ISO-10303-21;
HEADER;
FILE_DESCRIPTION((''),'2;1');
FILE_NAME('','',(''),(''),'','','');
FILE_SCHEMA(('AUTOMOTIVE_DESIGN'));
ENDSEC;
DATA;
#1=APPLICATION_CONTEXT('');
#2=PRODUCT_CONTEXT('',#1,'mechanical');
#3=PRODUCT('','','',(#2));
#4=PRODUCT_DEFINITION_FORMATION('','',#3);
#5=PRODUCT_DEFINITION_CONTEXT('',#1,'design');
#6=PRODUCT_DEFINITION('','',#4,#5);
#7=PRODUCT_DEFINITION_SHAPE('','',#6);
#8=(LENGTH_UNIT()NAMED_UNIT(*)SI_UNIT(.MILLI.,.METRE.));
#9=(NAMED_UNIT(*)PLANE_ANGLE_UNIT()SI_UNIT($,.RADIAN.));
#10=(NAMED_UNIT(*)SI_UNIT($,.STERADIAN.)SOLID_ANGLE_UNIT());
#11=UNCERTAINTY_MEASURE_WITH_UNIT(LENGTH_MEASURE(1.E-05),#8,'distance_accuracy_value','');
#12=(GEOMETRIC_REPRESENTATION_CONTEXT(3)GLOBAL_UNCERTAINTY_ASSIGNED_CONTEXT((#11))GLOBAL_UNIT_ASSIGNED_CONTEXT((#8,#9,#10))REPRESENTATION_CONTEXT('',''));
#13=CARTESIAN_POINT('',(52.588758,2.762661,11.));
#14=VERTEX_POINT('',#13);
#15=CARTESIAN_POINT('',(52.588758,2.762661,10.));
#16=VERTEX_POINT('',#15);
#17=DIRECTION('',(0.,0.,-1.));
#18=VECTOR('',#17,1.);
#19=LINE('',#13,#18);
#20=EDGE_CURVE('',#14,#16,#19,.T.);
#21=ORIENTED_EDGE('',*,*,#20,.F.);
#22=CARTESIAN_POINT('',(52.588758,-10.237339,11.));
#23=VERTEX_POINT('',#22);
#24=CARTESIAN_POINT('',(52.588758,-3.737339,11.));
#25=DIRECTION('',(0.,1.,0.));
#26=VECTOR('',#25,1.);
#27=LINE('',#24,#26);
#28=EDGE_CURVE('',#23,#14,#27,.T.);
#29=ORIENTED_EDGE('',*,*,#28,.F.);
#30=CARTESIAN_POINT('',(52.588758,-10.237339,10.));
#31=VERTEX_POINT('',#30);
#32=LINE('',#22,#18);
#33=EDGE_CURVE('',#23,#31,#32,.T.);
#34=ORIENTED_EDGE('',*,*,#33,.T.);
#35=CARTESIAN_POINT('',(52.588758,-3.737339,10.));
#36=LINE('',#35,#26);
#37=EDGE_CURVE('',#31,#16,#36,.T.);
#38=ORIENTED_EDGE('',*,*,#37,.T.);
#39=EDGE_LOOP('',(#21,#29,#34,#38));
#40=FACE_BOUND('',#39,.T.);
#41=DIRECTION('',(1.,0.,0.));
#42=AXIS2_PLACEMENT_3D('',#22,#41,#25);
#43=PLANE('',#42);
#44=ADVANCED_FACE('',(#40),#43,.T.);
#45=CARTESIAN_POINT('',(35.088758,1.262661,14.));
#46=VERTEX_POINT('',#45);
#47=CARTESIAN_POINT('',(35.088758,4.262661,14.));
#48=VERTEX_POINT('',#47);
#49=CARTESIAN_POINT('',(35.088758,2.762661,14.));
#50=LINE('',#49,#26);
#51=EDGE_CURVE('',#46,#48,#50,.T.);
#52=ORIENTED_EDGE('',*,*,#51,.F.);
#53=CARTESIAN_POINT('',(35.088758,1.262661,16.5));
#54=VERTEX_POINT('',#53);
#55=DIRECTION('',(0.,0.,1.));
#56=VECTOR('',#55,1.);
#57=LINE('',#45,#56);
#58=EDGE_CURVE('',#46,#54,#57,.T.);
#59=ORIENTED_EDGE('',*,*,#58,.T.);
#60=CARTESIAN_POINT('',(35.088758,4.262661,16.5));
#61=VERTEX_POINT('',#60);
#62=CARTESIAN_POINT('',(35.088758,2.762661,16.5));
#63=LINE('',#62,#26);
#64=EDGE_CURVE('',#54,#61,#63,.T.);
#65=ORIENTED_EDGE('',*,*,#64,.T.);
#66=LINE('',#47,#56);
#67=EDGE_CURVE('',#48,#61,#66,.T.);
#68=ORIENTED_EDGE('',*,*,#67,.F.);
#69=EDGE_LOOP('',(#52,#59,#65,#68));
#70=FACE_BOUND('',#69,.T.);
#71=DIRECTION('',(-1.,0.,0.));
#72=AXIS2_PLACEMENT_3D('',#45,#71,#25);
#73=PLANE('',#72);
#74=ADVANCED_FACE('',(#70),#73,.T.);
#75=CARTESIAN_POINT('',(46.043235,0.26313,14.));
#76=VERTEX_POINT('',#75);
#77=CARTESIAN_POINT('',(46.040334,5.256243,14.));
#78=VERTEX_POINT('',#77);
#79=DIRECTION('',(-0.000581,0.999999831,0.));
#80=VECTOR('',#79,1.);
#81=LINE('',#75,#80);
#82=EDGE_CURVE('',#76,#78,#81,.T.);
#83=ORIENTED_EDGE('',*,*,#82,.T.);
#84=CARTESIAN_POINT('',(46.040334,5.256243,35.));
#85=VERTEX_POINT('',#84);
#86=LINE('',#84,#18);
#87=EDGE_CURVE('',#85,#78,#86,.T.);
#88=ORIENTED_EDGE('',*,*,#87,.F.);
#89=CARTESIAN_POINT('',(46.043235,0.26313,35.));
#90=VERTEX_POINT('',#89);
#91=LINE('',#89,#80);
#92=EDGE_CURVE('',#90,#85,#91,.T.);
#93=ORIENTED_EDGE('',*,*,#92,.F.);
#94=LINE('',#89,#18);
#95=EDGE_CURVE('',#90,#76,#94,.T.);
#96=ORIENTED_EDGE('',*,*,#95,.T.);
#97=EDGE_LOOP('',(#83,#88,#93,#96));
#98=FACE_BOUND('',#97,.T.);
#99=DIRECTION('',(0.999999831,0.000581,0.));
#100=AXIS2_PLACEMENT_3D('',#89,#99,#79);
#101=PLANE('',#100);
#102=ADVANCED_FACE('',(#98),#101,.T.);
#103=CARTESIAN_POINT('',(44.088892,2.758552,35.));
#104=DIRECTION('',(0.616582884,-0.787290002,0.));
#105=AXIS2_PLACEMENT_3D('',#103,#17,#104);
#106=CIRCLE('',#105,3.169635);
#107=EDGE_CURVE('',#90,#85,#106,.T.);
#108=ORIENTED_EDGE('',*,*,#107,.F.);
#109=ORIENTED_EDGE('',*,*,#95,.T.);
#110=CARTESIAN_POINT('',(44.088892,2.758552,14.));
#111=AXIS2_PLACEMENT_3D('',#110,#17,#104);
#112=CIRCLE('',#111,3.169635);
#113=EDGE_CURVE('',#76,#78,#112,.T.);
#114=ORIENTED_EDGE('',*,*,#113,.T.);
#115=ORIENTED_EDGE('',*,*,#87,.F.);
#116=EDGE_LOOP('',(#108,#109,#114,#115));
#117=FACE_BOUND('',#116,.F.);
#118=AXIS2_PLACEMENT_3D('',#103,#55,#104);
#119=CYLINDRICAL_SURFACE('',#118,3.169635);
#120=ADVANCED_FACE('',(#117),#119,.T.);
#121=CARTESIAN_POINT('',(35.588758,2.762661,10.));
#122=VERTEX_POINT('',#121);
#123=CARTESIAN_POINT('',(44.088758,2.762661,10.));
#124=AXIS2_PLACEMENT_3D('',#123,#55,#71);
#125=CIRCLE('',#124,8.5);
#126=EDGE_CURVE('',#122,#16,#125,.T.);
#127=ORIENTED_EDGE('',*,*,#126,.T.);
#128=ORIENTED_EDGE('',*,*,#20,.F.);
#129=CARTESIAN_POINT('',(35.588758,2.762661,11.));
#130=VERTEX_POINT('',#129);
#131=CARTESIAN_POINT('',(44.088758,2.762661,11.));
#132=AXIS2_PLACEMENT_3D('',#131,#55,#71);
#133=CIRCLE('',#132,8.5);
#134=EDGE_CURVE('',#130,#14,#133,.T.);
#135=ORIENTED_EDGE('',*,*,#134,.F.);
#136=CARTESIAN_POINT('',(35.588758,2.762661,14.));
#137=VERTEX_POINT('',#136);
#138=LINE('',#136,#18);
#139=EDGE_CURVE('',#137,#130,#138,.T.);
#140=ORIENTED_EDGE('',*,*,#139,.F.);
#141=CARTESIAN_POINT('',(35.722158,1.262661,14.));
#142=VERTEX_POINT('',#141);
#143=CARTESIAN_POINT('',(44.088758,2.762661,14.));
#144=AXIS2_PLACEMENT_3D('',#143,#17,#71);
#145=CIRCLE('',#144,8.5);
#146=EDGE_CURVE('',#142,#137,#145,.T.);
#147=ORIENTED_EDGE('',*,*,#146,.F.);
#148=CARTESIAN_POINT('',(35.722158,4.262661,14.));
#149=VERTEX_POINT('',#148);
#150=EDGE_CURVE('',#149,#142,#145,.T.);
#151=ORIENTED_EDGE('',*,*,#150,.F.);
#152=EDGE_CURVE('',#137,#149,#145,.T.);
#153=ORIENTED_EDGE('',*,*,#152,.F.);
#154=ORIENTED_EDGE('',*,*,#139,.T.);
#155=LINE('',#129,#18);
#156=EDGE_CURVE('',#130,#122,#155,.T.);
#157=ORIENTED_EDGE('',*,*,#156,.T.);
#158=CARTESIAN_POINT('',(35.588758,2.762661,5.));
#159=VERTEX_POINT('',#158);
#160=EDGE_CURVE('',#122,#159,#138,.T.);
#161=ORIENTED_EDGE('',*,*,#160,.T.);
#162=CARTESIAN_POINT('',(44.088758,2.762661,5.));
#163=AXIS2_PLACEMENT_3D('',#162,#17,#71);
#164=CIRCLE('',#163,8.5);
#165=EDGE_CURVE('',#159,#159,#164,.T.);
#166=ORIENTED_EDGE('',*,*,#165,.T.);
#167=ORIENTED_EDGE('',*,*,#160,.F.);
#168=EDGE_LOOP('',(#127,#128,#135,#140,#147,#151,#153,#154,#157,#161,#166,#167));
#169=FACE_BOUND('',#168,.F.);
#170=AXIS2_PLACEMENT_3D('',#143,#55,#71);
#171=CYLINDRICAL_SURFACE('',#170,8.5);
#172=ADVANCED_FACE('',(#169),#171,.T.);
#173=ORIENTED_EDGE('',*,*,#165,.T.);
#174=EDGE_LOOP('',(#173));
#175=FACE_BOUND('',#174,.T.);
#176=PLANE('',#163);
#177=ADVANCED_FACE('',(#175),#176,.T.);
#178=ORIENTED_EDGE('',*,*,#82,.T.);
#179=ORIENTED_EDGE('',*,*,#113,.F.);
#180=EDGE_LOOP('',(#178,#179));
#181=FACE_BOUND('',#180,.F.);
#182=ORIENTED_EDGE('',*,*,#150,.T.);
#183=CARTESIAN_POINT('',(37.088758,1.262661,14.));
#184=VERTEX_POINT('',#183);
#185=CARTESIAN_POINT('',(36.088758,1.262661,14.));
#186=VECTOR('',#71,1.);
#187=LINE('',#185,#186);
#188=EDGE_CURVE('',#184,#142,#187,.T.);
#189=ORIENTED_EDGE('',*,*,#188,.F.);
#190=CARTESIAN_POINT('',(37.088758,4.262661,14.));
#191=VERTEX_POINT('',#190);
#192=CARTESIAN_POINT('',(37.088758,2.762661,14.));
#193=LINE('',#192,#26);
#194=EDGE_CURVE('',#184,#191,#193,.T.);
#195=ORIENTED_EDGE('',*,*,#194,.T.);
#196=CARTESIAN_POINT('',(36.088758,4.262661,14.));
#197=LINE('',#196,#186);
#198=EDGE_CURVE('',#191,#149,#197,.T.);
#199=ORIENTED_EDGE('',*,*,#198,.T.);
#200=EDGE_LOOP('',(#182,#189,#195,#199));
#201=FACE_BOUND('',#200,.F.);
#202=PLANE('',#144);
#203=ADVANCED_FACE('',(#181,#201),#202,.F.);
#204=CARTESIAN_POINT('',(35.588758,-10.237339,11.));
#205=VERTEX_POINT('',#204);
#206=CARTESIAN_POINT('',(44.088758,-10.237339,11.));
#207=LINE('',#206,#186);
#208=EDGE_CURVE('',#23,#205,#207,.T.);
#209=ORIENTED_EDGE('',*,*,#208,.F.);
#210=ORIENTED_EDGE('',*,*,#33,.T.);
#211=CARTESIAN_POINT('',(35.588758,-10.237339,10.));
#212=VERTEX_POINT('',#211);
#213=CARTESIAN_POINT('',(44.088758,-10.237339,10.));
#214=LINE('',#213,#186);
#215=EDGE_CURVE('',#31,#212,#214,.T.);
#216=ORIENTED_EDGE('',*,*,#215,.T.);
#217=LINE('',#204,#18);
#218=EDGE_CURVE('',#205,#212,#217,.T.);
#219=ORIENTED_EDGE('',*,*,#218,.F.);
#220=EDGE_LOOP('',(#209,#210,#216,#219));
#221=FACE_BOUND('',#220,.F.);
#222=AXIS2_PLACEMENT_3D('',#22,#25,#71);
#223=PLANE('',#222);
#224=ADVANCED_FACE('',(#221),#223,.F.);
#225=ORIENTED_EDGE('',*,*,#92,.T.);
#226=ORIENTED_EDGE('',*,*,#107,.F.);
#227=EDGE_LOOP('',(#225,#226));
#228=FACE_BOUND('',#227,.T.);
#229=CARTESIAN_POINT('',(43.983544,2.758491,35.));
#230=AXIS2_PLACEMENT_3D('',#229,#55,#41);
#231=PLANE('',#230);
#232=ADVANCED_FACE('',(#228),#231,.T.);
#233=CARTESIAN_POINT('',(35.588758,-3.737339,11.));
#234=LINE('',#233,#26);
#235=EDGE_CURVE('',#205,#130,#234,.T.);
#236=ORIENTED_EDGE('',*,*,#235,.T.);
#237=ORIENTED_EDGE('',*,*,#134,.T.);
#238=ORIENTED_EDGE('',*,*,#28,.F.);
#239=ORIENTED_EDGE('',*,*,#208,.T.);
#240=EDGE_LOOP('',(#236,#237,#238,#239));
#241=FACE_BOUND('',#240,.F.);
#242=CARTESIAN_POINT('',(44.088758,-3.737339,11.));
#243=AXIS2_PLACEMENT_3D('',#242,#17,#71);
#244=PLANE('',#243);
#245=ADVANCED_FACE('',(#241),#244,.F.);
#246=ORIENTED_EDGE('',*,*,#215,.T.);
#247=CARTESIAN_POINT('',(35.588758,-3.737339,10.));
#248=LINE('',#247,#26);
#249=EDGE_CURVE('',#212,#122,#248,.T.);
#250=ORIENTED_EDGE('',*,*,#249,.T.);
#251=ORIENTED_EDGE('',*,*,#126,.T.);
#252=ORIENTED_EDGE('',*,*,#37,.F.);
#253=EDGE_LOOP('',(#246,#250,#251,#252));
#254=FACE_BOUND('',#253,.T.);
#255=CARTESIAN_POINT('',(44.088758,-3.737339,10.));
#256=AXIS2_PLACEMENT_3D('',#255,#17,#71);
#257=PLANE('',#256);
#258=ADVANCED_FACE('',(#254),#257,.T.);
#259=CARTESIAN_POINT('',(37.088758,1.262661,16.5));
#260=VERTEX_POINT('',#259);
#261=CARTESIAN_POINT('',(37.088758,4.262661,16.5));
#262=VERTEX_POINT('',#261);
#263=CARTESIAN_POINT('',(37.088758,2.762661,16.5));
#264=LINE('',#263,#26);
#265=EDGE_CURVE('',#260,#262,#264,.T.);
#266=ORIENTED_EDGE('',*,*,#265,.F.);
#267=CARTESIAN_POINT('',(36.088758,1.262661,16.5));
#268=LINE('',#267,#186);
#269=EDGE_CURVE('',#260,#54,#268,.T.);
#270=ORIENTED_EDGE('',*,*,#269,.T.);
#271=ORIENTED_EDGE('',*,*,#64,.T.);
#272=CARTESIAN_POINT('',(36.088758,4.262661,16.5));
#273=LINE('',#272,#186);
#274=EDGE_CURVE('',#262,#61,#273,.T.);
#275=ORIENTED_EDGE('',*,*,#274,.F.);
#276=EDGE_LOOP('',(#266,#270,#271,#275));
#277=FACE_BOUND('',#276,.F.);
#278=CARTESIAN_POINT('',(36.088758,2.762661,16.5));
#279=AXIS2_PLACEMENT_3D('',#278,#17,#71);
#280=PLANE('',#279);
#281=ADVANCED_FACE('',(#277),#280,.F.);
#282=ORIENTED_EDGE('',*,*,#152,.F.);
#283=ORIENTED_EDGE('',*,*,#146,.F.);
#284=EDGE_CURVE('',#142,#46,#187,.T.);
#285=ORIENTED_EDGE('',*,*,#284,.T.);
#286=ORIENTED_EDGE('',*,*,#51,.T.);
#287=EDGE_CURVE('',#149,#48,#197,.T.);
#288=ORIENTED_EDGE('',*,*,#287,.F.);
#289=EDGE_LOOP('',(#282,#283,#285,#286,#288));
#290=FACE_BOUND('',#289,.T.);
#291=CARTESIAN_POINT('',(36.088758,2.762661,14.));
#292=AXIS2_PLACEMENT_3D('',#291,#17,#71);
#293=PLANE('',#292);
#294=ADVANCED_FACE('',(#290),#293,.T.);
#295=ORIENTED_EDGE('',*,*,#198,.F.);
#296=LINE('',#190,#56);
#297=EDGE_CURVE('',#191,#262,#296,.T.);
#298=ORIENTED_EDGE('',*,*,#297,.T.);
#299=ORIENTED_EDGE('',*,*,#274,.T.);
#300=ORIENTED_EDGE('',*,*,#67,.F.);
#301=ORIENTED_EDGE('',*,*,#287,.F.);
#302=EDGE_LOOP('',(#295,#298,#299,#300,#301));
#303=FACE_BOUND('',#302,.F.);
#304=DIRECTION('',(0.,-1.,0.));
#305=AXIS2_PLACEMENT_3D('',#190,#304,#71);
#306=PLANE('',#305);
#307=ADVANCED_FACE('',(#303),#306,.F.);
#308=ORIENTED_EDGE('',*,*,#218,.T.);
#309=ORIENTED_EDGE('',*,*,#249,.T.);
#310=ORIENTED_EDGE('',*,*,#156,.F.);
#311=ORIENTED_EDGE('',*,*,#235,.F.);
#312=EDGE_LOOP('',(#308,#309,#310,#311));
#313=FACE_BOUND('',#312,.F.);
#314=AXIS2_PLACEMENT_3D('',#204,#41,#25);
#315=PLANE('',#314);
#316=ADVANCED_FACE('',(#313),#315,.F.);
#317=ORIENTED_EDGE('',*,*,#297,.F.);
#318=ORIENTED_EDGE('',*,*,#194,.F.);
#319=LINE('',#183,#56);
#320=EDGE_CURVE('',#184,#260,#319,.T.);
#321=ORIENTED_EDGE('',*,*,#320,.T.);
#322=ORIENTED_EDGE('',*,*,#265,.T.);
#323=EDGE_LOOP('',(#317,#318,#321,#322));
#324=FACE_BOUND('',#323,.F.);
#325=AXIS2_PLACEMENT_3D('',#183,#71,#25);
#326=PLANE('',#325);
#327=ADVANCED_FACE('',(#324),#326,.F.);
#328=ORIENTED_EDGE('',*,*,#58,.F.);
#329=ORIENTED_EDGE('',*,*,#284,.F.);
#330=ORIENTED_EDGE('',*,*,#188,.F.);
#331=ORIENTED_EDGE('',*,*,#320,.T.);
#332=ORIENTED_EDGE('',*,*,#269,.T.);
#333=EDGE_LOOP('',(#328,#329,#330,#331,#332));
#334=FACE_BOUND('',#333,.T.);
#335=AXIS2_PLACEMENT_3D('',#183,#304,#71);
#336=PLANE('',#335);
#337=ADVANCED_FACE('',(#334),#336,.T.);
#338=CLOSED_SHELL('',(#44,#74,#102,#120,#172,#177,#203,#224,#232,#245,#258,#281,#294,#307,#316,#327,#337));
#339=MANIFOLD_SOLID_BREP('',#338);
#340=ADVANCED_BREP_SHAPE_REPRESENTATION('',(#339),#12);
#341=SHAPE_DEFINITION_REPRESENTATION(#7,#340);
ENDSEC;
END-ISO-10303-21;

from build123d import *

# Parameters (mm, degrees)
SKETCH067_R               = 8.5
PAD009_DEPTH              = 9
SKETCH068_W               = 17
SKETCH068_H               = 13
PAD010_DEPTH              = 1
SKETCH069_W               = 2
SKETCH069_H               = 3
PAD011_DEPTH              = 2.5
PAD012_DEPTH              = 21
FUSION002_PLACEMENT_ANGLE = 180


with BuildPart() as body009:
    # Sketch067 → Pad009 (new body)
    with BuildSketch(Plane.XY):
        with Locations((43.911242, 2.762661)):
            Circle(SKETCH067_R)
    extrude(amount=PAD009_DEPTH)

    # Sketch068 → Pad010 (join)
    with BuildSketch(Plane.XY.offset(3)):
        with Locations((43.911242, -3.737339)):
            Rectangle(SKETCH068_W, SKETCH068_H)
    extrude(amount=PAD010_DEPTH)

    # Sketch069 → Pad011 (join)
    with BuildSketch(Plane.XY):
        with Locations((51.911242, 2.762661)):
            Rectangle(SKETCH069_W, SKETCH069_H)
    extrude(amount=-PAD011_DEPTH)


with BuildPart() as pot:
    # Sketch070 → Pad012 (new body)
    with BuildSketch(Plane.XY):
        with BuildLine():
            Line((41.956765, 0.26313), (41.959666, 5.256243))
            ThreePointArc((41.956765, 0.26313), (47.080742, 2.75671), (41.959666, 5.256243))
        make_face()
    extrude(amount=PAD012_DEPTH)


with BuildPart() as pot_1:
    # Body010 placement: moved
    add(pot.part.moved(Location((0, 0, -21))))

    # Fusion002: union Body009
    add(body009.part)


with BuildPart() as pot_2:
    # Fusion002 placement: moved
    add(pot_1.part.moved(Location((88, 0, 14))).rotate(Axis((88, 0, 14), (0, 1, 0)), FUSION002_PLACEMENT_ANGLE))


solid = pot_2.part
